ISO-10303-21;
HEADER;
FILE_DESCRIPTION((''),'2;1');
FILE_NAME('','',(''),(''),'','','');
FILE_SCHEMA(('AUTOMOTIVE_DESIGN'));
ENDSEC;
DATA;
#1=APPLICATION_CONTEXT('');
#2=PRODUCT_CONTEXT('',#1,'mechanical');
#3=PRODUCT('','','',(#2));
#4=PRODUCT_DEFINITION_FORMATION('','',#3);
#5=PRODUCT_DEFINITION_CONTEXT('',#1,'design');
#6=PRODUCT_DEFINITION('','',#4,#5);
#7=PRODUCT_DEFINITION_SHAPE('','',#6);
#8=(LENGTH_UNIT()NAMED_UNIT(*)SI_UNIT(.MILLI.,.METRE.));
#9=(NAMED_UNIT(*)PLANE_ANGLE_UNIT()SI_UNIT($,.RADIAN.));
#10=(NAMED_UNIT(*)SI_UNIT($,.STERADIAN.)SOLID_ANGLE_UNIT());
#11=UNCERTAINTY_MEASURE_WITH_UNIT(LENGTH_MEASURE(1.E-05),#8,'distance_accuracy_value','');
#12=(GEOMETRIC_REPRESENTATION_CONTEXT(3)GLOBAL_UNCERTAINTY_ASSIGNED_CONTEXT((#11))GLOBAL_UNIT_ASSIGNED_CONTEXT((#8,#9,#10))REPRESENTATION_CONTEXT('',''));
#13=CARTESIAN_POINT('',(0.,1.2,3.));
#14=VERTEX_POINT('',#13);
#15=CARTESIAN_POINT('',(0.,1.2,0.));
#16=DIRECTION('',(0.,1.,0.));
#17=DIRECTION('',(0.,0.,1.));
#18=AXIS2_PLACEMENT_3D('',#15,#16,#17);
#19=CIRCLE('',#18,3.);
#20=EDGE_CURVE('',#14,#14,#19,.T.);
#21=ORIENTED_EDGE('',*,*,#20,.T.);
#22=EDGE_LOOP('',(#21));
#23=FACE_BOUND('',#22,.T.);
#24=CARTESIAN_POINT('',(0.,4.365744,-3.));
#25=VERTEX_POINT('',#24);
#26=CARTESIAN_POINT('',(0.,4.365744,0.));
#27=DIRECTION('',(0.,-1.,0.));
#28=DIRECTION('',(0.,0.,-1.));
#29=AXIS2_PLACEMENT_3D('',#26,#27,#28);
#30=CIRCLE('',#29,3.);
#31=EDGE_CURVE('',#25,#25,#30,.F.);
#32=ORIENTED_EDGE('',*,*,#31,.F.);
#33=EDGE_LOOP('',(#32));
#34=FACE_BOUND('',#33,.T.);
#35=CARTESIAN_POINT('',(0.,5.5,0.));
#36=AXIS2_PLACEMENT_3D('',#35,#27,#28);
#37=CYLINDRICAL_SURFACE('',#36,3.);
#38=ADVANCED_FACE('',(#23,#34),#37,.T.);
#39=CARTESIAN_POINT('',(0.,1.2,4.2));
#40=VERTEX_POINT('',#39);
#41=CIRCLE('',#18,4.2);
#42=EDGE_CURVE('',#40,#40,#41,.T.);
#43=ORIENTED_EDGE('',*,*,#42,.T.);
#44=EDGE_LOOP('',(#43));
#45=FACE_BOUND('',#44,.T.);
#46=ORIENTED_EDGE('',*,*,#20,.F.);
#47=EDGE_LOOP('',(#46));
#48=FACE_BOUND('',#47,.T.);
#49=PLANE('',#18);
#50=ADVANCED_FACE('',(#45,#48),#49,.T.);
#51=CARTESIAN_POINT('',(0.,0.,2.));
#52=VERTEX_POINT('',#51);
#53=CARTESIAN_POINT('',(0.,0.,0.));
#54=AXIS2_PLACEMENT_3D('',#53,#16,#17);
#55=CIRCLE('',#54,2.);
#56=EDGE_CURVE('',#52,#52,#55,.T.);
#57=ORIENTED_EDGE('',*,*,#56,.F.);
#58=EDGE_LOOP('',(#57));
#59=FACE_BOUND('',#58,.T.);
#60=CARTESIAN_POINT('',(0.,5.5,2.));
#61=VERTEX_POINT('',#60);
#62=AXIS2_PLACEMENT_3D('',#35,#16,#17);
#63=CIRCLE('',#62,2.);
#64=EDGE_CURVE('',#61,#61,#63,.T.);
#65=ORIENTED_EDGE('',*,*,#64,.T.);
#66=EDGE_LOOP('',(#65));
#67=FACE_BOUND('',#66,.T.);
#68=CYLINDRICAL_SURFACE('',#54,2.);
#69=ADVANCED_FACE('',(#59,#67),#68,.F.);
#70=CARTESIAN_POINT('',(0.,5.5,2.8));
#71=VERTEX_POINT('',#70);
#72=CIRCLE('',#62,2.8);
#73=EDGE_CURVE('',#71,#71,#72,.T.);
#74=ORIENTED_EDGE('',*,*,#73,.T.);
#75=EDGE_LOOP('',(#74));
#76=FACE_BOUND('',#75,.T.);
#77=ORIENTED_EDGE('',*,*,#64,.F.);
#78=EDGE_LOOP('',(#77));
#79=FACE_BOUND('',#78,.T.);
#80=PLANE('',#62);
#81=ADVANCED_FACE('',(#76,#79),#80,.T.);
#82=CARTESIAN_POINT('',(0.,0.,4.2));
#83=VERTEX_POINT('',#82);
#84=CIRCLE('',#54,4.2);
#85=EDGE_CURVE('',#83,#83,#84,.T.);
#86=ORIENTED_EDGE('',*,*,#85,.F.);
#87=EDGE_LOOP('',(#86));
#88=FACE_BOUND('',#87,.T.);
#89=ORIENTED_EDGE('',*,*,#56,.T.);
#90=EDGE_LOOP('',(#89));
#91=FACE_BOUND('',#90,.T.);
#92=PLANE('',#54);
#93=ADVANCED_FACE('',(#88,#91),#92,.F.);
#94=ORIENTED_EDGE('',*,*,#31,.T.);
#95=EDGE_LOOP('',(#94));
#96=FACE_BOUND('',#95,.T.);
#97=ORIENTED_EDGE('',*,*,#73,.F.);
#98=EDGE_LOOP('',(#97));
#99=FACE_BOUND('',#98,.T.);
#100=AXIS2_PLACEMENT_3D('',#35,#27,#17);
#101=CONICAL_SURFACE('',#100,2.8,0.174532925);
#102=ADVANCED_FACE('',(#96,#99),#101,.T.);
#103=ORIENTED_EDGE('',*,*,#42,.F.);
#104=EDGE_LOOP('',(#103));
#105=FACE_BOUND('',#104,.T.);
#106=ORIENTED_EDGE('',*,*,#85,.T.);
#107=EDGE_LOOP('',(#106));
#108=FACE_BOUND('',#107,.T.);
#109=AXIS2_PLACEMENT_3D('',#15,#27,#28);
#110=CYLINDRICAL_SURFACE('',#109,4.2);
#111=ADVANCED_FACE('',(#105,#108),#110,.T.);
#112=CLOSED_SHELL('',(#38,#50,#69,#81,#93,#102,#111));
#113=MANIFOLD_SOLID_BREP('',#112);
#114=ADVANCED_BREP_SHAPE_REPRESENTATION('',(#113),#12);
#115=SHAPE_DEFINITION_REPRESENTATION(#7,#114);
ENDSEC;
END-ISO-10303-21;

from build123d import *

# Parameters (mm, degrees)
SKETCH2_R           = 4.2
BOSS_EXTRUDE1_DEPTH = 1.2
SKETCH3_R           = 3
BOSS_EXTRUDE2_DEPTH = 4.3
SKETCH4_OUTSIDE_W   = 14.534
SKETCH4_OUTSIDE_H   = 14.534
SKETCH4_OUTSIDE_R   = 2.8
CUT_EXTRUDE1_DEPTH  = 4.3
CUT_EXTRUDE1_TAPER  = 10
SKETCH5_R           = 2
CUT_EXTRUDE2_DEPTH  = 6.5


with BuildPart() as part:
    # Sketch2 → Boss-Extrude1 (new body)
    with BuildSketch(Plane(origin=(0, 0, 0), x_dir=(1, 0, 0), z_dir=(0, 1, 0))):
        Circle(SKETCH2_R)
    extrude(amount=BOSS_EXTRUDE1_DEPTH)

    # Sketch3 → Boss-Extrude2 (add)
    with BuildSketch(Plane(origin=(0, 1.2, 0), x_dir=(1, 0, 0), z_dir=(0, 1, 0))):
        Circle(SKETCH3_R)
    extrude(amount=BOSS_EXTRUDE2_DEPTH)

    # Sketch4 outside → Cut-Extrude1 (cut)
    with BuildSketch(Plane(origin=(0, 5.5, 0), x_dir=(1, 0, 0), z_dir=(0, 1, 0))):
        Rectangle(SKETCH4_OUTSIDE_W, SKETCH4_OUTSIDE_H)
        Circle(SKETCH4_OUTSIDE_R, mode=Mode.SUBTRACT)
    extrude(amount=-CUT_EXTRUDE1_DEPTH, taper=CUT_EXTRUDE1_TAPER, mode=Mode.SUBTRACT)

    # Sketch5 → Cut-Extrude2 (cut, through all)
    with BuildSketch(Plane(origin=(0, 5.5, 0), x_dir=(1, 0, 0), z_dir=(0, 1, 0))):
        Circle(SKETCH5_R)
    extrude(amount=-CUT_EXTRUDE2_DEPTH, mode=Mode.SUBTRACT)


solid = part.part
